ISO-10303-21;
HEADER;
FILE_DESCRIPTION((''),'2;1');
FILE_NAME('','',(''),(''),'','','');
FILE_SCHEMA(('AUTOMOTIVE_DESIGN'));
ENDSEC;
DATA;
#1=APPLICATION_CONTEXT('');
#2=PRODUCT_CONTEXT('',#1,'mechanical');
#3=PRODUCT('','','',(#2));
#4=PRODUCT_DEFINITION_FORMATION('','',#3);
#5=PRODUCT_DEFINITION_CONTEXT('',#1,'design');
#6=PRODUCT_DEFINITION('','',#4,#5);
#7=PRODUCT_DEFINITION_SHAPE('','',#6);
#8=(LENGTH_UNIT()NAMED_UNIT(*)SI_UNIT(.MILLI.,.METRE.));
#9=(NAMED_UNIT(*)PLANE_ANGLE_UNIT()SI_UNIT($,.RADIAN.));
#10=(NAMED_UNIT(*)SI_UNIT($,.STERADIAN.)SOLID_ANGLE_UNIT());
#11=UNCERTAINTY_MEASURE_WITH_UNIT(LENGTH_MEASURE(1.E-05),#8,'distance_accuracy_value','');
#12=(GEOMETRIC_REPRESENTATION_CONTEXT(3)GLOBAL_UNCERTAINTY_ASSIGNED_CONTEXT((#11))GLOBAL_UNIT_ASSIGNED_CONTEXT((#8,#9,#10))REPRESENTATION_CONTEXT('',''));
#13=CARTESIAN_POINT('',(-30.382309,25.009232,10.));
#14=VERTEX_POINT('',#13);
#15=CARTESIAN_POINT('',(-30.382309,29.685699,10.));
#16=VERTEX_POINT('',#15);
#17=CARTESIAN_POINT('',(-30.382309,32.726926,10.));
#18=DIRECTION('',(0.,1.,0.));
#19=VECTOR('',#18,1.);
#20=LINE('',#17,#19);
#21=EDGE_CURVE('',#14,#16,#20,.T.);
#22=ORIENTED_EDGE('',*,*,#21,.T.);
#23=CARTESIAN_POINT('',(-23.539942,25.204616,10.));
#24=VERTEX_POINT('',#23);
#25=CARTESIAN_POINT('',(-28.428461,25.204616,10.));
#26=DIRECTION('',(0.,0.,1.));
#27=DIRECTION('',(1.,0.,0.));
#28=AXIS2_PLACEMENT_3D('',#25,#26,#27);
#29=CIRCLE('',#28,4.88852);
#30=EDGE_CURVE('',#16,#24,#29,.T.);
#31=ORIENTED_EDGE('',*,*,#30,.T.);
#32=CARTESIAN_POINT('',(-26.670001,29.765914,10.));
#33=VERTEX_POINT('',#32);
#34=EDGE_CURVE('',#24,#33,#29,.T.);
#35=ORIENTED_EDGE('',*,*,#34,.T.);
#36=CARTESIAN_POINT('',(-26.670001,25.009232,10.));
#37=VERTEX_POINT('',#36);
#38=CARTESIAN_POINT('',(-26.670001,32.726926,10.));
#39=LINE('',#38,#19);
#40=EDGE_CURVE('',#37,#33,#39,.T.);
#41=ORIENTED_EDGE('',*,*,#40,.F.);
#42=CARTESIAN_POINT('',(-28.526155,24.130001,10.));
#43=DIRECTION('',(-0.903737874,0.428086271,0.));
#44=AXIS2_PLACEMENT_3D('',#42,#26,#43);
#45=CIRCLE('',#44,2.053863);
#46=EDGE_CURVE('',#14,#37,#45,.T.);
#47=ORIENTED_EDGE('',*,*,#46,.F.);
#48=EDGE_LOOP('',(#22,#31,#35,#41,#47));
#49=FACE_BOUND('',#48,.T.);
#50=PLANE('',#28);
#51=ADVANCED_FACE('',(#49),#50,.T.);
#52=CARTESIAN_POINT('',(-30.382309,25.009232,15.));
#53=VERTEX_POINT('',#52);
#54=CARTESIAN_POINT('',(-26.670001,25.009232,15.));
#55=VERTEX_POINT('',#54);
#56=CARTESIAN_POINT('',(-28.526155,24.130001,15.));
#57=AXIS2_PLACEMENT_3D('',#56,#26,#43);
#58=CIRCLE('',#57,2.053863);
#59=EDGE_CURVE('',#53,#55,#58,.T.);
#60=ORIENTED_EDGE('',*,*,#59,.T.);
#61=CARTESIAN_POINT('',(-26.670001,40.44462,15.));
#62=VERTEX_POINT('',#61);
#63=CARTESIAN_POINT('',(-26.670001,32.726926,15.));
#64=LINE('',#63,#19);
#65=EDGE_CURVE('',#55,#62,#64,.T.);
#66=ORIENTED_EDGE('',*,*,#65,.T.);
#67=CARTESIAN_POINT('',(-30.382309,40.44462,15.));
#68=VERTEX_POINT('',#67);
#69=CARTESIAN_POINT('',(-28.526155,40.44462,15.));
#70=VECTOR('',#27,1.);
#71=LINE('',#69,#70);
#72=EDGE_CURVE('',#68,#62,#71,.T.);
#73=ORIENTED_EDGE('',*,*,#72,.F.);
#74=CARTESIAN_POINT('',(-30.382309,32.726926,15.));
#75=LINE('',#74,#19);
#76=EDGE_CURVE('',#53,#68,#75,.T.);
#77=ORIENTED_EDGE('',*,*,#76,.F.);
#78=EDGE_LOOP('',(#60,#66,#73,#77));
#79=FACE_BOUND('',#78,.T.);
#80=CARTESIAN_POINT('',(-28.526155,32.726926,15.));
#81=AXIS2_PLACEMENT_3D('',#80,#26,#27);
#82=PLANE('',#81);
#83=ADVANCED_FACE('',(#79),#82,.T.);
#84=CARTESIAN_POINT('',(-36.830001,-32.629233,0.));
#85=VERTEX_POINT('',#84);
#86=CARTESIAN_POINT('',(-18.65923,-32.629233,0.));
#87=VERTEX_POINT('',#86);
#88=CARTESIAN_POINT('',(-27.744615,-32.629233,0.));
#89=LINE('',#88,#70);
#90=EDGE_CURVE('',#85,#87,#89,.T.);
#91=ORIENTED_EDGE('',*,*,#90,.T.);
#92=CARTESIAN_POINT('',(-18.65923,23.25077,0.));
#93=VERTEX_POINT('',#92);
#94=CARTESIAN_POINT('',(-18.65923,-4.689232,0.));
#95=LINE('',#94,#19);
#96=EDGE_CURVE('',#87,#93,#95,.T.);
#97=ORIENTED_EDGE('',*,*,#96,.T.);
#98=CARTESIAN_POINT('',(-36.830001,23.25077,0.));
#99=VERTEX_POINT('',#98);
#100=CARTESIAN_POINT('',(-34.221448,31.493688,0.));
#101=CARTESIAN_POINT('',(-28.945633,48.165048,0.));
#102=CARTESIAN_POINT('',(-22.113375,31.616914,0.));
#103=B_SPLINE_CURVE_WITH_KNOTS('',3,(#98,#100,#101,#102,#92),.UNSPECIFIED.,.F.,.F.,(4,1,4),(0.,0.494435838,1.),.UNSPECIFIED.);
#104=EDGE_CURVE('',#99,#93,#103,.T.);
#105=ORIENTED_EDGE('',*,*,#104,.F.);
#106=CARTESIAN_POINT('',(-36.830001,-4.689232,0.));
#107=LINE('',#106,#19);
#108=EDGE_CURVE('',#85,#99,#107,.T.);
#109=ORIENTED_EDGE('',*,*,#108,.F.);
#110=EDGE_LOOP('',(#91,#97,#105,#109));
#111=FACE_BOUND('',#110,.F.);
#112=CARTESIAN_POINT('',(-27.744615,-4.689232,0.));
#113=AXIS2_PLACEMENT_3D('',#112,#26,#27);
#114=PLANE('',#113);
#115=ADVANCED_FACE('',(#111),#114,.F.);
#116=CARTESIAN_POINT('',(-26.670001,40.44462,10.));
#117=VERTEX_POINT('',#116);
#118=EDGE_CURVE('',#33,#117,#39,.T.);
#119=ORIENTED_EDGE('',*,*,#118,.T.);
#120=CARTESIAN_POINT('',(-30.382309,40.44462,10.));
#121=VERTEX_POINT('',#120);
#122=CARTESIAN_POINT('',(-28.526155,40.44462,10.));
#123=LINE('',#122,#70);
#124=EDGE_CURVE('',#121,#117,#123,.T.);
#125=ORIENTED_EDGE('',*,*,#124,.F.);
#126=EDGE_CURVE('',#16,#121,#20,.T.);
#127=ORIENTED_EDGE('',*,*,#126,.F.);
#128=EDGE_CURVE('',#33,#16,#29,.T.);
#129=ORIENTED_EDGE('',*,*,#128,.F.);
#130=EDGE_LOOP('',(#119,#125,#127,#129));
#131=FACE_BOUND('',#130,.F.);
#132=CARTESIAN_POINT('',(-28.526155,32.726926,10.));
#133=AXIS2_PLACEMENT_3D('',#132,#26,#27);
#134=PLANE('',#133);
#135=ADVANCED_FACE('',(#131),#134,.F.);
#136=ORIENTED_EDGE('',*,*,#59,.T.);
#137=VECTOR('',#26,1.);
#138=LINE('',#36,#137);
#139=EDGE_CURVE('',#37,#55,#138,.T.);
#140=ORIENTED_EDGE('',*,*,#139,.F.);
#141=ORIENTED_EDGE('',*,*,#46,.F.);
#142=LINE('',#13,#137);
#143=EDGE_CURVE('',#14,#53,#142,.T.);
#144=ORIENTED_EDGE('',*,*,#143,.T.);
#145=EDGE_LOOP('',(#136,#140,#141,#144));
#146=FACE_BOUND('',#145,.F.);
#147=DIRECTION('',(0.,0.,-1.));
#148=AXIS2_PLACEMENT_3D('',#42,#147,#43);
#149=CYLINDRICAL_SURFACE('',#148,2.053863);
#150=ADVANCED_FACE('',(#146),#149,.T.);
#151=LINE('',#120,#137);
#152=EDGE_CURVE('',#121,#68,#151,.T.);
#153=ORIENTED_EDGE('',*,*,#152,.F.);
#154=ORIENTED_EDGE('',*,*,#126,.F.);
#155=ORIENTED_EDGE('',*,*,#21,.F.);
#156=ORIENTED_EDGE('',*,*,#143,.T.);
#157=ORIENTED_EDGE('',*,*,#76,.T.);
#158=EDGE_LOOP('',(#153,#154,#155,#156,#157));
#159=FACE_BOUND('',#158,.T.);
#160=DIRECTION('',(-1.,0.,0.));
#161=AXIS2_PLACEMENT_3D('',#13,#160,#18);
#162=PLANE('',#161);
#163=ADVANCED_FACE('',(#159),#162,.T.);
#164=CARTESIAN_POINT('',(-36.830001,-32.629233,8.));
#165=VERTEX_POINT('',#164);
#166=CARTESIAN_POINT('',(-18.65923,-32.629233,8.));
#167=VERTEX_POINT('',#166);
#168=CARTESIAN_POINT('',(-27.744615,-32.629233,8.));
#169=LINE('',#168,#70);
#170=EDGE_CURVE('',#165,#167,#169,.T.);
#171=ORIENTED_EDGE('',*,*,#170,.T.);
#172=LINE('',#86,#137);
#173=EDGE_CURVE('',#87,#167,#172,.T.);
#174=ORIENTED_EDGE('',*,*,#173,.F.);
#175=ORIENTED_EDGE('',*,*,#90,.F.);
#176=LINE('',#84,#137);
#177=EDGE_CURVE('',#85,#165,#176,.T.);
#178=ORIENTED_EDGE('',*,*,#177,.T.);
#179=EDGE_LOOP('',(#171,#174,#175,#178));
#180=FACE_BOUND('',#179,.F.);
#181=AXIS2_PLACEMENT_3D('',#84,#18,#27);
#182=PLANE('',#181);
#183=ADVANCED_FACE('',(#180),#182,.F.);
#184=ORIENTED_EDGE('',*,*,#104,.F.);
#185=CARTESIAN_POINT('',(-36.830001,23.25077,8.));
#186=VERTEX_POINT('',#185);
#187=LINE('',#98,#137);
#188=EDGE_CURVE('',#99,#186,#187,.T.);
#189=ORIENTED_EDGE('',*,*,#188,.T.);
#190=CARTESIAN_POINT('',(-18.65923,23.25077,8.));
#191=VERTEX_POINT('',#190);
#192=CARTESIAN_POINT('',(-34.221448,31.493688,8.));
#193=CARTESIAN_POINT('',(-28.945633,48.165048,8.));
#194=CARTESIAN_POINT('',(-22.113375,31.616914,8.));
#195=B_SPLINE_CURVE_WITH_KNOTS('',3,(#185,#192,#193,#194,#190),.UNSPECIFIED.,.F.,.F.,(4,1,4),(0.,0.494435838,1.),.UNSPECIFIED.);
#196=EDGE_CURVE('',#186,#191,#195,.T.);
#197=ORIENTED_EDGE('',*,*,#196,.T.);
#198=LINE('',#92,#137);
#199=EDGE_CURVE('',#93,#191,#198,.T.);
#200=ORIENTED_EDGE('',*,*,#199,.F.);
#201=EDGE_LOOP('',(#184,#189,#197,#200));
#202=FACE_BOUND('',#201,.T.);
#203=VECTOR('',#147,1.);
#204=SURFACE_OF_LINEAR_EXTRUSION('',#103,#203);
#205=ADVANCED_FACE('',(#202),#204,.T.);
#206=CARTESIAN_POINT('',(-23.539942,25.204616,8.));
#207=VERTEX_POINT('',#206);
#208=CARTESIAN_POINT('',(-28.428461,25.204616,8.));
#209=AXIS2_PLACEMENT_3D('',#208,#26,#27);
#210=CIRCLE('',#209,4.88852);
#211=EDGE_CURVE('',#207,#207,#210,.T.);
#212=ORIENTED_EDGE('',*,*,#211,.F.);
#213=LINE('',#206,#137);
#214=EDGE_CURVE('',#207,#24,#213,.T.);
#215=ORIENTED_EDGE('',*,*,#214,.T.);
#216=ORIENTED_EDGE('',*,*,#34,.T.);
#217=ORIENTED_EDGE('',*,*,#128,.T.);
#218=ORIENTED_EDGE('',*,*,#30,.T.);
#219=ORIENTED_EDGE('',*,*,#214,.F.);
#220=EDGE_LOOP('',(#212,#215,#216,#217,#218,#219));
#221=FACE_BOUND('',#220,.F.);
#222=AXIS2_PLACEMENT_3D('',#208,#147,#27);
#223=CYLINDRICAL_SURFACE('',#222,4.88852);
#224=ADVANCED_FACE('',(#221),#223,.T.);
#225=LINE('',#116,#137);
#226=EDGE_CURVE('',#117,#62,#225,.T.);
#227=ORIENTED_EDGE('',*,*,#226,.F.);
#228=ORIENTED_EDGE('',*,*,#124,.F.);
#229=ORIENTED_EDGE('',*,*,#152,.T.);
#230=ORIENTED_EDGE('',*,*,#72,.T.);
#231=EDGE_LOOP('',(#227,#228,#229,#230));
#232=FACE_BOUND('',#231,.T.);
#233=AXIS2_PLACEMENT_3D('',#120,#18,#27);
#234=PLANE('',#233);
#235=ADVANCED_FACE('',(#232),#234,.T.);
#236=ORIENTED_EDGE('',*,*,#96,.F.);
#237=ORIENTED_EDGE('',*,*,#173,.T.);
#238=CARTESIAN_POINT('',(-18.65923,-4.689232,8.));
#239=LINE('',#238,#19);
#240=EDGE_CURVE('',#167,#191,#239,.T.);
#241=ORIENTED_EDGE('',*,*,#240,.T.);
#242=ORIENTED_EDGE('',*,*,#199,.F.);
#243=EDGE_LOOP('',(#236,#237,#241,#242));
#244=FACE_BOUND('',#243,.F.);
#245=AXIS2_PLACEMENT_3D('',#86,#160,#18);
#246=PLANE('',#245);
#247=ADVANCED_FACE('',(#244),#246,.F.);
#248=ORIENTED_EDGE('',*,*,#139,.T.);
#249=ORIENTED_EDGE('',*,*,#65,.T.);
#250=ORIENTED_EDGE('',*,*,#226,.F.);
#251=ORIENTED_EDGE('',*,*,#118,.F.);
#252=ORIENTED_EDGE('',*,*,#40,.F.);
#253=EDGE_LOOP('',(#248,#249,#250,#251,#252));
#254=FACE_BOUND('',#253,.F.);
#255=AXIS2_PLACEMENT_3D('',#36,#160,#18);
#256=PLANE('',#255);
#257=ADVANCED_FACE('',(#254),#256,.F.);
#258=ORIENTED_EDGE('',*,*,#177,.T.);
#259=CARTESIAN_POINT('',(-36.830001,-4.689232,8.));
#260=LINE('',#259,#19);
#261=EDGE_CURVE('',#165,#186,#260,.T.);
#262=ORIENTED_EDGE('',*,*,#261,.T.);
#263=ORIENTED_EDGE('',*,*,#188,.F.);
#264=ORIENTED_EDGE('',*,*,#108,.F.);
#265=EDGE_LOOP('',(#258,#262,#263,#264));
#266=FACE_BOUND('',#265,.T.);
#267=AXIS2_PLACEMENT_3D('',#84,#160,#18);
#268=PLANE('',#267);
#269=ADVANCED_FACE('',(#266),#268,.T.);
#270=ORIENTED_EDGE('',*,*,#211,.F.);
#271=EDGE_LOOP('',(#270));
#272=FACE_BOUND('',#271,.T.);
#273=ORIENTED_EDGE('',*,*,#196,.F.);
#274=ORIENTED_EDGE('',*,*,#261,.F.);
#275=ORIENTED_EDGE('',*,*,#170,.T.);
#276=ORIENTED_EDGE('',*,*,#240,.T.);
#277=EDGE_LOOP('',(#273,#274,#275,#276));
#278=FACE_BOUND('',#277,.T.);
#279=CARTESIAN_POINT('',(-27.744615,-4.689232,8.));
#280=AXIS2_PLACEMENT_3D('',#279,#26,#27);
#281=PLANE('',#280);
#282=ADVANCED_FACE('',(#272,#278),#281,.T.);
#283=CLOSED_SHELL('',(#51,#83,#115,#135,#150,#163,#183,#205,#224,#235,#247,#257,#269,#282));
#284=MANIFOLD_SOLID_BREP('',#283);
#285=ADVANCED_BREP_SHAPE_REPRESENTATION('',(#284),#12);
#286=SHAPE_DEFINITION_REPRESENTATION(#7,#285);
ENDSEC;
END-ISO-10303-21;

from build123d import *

# Parameters (mm, degrees)
F0_W     = 18.1707702577
F0_H     = 55.8800026774
F1_DEPTH = 8
F2_R     = 4.8885197861
F3_DEPTH = 2
F4_W     = 3.7123076618
F4_H     = 15.4353883117
F5_DEPTH = 5


with BuildPart() as f1:
    # F0 (on Top) → F1 (new body)
    with BuildSketch(Plane.XY):
        with Locations((-27.7446154505, -4.6892315149)):
            Rectangle(F0_W, F0_H)
        with BuildLine():
            add(Edge.make_bspline(
                [(-36.8300005794, 23.2507698238), (-34.2214483668, 31.493687892), (-28.9456329612, 48.1650483199), (-22.1133750602, 31.6169136543), (-18.6592303216, 23.2507698238)],
                knots=[0, 0, 0, 0, 0.4944358383, 1, 1, 1, 1], degree=3))
            Line((-36.8300005794, 23.2507698238), (-18.6592303216, 23.2507698238))
        make_face()
    extrude(amount=F1_DEPTH)

    # F2 (on face) → F3 (join)
    with BuildSketch(Plane.XY.offset(8)):
        with Locations((-28.4284614027, 25.2046156675)):
            Circle(F2_R)
    extrude(amount=F3_DEPTH)

    # F4 (on face) → F5 (join)
    with BuildSketch(Plane.XY.offset(10)):
        with Locations((-28.5261552781, 32.7269257978)):
            Rectangle(F4_W, F4_H)
        with BuildLine():
            Line((-26.6700014472, 25.0092316419), (-30.382309109, 25.0092316419))
            ThreePointArc((-30.382309109, 25.0092316419), (-28.5261552781, 22.07613801), (-26.6700014472, 25.0092316419))
        make_face()
    extrude(amount=F5_DEPTH)


solid = f1.part
